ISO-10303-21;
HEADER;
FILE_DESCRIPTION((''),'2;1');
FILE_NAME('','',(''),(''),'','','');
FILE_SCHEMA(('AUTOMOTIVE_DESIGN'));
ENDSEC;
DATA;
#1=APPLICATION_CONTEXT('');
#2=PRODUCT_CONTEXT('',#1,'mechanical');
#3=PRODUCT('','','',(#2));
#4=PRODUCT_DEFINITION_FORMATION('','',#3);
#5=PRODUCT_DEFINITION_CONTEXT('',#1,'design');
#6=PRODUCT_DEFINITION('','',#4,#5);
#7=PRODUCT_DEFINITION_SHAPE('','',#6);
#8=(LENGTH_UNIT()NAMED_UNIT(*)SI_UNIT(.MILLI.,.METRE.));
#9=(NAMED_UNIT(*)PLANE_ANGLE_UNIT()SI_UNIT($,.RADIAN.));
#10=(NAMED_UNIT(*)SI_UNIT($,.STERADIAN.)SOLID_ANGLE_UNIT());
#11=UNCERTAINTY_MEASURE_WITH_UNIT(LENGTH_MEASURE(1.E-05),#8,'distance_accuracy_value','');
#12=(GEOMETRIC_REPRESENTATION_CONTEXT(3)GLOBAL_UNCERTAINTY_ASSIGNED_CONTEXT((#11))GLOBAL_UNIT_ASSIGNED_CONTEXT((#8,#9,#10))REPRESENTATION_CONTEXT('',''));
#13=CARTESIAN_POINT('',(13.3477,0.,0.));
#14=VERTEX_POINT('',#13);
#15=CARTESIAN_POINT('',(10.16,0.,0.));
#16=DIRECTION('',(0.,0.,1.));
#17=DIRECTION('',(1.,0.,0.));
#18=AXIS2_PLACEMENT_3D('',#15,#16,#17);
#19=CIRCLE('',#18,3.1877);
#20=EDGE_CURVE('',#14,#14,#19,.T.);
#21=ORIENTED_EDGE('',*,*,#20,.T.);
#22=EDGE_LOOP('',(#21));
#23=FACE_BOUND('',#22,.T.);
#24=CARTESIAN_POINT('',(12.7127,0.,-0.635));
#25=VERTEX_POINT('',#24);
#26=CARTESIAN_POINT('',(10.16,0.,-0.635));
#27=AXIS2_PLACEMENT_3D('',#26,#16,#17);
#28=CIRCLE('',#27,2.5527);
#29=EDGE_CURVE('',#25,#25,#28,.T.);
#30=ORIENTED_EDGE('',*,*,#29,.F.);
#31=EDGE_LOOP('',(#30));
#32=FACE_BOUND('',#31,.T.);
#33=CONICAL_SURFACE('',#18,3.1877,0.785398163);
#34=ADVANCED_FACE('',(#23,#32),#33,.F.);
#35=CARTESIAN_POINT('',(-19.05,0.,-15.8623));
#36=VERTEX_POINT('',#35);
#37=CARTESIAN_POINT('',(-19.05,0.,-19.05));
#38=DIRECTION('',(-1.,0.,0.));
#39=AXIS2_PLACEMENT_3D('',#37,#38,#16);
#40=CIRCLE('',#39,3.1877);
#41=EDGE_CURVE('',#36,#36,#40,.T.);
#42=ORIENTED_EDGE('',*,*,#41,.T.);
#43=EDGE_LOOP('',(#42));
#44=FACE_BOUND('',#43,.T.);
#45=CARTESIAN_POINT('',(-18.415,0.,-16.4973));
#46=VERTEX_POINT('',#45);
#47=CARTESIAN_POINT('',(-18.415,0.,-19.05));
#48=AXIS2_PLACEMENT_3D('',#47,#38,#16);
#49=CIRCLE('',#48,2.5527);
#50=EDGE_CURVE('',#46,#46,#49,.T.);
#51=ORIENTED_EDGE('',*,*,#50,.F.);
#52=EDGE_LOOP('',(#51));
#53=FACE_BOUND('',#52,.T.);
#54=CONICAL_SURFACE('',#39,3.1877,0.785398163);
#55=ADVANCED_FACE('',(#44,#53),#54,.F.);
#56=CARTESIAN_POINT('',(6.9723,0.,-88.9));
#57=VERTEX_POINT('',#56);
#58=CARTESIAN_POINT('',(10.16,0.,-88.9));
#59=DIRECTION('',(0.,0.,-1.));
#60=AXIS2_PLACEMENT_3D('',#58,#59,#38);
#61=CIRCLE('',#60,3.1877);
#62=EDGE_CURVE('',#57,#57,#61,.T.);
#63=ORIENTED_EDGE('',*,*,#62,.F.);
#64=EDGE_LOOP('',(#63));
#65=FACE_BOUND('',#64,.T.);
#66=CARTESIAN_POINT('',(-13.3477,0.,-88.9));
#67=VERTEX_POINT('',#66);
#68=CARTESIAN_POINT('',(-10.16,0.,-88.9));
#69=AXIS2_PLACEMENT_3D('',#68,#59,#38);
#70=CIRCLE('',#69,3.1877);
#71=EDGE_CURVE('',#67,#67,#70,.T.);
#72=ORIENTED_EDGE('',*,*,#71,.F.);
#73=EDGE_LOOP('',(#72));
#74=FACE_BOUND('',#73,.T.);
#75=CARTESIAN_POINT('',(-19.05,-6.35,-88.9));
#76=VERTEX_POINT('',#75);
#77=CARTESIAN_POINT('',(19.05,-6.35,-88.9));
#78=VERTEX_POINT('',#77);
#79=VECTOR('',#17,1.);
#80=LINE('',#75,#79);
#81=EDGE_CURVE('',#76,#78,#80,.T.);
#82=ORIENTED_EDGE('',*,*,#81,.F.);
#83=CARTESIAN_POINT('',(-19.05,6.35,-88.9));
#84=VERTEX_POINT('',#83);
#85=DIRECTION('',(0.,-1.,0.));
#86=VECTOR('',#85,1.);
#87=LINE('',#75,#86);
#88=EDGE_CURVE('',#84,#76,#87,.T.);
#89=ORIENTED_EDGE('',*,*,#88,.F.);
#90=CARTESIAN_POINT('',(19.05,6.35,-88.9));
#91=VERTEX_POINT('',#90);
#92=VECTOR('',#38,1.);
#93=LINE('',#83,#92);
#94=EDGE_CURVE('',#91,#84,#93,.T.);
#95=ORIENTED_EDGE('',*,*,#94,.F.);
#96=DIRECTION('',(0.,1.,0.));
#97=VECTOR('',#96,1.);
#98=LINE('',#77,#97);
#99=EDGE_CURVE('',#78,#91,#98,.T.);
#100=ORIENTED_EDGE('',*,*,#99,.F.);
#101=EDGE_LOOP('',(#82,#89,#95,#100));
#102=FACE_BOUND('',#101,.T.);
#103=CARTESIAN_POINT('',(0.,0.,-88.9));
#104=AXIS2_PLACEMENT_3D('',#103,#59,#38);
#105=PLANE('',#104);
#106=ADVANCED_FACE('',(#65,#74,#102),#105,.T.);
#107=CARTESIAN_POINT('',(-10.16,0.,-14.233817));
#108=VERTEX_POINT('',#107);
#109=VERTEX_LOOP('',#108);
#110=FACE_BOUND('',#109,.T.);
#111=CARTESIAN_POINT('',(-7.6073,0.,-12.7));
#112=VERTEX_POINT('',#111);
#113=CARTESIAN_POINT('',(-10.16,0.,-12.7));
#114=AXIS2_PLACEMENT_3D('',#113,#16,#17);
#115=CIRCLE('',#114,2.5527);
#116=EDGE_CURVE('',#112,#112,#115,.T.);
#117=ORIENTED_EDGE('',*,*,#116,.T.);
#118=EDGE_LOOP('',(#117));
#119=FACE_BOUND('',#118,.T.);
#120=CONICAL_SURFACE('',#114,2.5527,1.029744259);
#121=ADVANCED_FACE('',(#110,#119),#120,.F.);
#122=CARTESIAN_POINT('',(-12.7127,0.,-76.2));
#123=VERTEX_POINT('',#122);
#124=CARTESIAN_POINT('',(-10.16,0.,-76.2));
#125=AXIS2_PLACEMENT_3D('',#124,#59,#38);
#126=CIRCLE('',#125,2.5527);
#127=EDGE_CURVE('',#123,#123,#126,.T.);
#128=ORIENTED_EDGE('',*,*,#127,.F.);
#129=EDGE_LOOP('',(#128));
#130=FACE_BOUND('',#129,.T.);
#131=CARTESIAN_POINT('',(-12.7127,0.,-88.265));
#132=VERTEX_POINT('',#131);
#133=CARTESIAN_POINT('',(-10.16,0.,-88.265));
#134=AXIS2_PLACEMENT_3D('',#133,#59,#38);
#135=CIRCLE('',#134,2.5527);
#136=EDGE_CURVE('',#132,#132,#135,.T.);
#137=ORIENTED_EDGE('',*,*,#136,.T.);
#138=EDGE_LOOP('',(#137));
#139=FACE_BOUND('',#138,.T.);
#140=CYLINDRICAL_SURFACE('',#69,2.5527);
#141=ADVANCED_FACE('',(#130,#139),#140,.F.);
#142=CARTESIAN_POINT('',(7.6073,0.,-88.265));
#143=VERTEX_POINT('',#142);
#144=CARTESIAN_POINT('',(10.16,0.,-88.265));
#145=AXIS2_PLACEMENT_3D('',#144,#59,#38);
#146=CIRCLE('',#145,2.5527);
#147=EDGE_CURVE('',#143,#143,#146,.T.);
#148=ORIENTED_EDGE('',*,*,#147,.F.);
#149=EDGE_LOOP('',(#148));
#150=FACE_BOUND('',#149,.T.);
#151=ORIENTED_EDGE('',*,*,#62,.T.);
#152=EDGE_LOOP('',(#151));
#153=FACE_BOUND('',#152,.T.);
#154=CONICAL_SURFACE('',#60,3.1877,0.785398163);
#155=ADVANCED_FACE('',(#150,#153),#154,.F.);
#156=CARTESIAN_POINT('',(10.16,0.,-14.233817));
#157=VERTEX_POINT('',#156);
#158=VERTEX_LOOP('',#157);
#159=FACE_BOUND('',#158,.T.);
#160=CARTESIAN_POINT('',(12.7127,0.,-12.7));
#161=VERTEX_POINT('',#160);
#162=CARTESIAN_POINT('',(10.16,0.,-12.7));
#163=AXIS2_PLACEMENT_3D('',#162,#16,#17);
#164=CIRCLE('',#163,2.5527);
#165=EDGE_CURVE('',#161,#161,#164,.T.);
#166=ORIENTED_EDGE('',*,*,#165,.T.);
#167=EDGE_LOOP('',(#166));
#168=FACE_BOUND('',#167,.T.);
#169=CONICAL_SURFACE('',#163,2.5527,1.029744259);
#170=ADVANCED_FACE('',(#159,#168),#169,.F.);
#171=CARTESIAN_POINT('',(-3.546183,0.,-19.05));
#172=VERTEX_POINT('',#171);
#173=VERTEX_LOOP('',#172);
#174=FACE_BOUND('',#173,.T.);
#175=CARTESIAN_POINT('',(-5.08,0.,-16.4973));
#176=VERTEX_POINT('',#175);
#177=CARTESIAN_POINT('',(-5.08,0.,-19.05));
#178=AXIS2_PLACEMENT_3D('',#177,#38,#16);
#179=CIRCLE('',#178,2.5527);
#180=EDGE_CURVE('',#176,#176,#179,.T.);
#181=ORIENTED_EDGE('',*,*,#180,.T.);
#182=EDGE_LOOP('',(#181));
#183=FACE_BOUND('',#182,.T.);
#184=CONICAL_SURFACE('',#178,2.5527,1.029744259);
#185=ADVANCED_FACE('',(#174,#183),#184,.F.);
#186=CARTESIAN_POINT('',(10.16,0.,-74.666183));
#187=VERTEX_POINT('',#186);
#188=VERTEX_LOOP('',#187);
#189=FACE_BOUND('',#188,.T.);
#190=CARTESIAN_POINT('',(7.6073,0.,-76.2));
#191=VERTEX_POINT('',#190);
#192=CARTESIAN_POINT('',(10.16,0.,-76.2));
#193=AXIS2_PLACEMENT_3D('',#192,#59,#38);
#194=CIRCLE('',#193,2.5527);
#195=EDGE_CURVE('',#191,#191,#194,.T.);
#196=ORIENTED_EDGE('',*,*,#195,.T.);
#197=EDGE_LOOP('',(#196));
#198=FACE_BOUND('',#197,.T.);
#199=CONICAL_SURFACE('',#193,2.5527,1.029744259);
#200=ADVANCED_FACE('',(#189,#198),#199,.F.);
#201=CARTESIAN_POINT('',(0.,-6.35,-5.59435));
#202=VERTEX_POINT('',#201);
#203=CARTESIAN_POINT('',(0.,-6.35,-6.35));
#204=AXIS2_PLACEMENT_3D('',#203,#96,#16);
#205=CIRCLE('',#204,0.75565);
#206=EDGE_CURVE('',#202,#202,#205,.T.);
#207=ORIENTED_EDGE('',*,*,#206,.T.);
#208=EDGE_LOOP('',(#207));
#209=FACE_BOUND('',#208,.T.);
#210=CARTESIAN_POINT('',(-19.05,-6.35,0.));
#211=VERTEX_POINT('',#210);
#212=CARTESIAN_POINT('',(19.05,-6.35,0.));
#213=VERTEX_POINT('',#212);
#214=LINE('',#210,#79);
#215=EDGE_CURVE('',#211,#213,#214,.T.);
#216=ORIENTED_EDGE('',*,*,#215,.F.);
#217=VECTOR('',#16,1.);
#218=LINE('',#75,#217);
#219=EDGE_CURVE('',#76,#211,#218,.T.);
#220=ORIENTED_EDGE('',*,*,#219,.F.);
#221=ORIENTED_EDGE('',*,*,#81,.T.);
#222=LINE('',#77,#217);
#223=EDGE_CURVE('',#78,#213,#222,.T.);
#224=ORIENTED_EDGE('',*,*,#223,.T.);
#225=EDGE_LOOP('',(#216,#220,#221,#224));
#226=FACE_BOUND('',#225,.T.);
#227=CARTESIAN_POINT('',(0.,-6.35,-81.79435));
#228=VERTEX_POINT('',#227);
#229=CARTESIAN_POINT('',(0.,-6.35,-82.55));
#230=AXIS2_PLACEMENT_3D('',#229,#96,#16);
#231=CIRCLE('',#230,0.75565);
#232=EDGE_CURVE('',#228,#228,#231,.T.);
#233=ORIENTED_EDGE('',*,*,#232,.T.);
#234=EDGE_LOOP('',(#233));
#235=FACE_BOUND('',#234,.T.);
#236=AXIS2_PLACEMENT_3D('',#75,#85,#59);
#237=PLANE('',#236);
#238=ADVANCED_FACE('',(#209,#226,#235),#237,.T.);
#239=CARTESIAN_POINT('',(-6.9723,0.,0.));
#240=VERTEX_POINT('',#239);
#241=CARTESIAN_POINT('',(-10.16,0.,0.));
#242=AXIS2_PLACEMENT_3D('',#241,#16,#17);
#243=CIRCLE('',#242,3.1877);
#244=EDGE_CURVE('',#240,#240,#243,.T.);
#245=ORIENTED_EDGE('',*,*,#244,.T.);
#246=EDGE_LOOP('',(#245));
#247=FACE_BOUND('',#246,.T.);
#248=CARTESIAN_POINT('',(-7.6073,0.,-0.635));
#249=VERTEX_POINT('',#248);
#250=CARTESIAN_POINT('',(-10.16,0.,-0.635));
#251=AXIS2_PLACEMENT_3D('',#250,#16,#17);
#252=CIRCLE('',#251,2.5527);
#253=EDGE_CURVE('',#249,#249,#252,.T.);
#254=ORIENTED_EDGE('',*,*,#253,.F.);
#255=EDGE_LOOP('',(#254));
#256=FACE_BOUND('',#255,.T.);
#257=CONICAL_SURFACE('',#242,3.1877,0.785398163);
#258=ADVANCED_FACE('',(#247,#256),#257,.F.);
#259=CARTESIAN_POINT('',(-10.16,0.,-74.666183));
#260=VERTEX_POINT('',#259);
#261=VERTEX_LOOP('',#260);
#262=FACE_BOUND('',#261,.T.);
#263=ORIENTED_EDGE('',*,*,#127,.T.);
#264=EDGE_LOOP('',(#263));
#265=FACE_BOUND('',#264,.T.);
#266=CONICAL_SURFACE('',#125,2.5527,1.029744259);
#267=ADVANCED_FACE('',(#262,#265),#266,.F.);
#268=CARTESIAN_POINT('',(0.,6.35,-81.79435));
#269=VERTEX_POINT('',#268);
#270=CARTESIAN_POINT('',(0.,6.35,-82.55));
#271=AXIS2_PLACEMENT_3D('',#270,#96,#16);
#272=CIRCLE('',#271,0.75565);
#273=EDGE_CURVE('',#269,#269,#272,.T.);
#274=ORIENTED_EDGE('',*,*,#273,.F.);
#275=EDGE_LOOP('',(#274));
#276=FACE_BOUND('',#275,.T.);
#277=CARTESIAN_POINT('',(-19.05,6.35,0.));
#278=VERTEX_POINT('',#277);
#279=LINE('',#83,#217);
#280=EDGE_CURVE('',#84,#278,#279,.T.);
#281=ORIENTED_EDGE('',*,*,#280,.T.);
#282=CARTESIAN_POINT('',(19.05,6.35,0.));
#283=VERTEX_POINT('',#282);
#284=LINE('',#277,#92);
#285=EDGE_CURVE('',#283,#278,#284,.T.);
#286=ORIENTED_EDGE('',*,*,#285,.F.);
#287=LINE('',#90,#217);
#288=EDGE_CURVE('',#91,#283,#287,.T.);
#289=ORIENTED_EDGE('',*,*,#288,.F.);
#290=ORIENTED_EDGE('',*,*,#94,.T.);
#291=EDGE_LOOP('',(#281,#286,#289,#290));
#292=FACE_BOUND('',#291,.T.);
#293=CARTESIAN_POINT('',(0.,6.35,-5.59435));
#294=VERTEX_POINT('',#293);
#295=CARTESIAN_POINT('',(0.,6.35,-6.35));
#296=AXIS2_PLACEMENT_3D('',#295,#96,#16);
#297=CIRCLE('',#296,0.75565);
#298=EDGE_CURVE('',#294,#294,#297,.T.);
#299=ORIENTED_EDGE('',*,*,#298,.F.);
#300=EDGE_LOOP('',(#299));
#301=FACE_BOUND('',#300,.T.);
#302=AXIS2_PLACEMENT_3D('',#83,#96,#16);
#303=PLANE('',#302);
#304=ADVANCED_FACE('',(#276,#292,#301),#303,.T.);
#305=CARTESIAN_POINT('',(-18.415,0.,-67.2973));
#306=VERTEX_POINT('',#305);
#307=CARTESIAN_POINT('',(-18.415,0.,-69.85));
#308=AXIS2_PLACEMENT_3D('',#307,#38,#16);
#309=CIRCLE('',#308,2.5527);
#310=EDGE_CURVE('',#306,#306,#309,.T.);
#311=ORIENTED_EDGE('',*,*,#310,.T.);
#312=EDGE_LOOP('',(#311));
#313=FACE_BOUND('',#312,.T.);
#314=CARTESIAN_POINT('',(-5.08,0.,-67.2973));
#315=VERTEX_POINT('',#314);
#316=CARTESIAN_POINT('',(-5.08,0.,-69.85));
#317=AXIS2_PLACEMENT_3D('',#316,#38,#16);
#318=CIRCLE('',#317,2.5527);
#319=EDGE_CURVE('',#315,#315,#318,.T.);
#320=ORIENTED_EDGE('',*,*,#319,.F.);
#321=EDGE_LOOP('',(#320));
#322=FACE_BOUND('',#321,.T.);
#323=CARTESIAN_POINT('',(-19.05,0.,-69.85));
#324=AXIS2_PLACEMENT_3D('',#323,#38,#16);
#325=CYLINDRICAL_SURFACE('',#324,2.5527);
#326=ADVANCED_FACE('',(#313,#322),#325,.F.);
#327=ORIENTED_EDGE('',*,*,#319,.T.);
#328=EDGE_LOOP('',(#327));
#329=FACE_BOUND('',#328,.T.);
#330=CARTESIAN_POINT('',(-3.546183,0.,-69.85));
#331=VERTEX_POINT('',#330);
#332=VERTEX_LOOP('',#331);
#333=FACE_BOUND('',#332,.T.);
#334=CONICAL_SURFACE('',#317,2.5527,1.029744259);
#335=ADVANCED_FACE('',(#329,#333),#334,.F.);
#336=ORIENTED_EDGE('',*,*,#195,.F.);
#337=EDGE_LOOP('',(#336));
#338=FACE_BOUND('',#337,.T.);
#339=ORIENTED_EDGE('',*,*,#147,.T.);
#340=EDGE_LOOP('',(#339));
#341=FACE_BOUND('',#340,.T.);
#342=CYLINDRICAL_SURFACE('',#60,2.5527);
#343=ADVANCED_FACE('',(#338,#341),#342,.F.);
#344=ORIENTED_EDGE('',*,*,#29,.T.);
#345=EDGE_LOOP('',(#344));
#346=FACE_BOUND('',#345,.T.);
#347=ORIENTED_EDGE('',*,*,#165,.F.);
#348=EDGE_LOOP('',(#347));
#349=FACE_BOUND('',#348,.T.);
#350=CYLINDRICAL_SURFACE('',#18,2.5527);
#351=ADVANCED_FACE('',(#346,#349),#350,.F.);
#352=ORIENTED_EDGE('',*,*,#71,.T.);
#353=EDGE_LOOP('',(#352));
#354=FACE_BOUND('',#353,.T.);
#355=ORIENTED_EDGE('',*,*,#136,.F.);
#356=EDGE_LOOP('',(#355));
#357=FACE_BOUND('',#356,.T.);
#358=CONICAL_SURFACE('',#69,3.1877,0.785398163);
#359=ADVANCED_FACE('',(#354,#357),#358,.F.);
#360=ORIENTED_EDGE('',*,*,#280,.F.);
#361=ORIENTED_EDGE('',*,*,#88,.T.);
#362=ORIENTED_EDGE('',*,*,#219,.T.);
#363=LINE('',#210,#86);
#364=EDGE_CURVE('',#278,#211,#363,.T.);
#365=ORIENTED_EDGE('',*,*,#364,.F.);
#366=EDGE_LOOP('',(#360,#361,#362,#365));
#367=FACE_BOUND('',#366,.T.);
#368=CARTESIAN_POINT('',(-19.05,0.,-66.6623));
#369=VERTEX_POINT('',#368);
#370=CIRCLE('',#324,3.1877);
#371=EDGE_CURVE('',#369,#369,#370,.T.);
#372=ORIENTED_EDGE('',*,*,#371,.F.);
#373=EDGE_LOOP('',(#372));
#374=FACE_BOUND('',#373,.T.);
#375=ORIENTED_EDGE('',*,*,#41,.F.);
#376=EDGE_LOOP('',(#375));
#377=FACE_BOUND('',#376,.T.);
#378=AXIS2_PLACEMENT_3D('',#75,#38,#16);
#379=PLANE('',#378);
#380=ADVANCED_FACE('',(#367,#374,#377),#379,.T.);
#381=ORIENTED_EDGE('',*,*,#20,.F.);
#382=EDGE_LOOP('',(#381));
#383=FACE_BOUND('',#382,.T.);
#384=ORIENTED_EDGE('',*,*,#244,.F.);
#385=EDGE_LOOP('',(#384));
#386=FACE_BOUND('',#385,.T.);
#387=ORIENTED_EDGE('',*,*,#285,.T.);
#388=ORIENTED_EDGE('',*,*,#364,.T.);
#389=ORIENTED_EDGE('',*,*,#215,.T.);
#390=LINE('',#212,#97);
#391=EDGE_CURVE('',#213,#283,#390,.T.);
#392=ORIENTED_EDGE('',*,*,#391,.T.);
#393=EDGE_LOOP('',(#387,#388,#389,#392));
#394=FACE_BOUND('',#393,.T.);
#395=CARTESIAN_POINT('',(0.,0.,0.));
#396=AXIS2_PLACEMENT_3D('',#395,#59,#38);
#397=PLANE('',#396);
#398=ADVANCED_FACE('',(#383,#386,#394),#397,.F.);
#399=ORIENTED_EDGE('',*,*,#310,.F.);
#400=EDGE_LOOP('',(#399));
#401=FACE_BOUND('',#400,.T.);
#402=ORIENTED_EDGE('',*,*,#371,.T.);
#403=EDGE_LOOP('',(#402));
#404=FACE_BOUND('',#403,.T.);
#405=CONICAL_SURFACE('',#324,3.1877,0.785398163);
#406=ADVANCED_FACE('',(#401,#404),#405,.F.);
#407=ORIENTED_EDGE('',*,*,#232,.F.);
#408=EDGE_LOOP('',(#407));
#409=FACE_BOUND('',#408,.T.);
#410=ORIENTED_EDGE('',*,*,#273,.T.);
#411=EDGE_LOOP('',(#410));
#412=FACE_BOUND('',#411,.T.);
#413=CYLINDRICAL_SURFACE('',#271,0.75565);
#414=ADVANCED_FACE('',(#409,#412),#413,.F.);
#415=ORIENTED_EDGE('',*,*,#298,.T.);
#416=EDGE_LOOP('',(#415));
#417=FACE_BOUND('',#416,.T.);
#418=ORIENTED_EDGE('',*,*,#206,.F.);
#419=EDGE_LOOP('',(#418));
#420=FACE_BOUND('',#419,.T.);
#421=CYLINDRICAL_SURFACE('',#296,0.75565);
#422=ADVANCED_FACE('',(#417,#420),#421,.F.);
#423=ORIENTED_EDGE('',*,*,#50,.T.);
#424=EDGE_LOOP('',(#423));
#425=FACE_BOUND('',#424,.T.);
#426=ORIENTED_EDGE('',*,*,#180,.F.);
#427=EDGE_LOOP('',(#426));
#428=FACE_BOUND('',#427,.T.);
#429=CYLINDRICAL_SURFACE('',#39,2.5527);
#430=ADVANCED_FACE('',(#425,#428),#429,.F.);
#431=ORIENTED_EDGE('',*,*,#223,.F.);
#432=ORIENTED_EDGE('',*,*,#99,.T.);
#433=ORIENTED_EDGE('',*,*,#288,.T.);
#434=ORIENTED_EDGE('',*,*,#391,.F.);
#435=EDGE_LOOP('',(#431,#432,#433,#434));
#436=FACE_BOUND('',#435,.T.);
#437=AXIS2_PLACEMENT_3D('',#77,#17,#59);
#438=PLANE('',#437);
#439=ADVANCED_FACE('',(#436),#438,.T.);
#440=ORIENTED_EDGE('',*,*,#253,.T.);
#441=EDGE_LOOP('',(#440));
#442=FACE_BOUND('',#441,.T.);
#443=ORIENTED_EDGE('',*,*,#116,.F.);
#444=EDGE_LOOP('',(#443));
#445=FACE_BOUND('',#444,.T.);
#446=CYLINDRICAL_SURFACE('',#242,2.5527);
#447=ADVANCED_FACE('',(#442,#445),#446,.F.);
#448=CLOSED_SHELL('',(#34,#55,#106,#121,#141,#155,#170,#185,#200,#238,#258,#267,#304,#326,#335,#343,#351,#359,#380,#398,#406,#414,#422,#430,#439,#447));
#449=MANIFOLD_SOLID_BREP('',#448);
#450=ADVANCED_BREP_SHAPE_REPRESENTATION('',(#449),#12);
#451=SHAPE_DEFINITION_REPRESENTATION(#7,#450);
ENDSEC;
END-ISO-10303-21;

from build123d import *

# Parameters (mm, degrees)
SKETCH1_W                         = 38.1
SKETCH1_H                         = 12.7
BOSS_EXTRUDE1_DEPTH               = 88.9
F_1_4_20_TAPPED_HOLE1_AT_2_COUNT  = 2
F_1_4_20_TAPPED_HOLE1_AT_2_PITCH  = 20.32
F_1_64_TAPPED_HOLE1_D             = 1.5113
F_1_4_20_TAPPED_HOLE3_D           = 5.1054
F_1_4_20_TAPPED_HOLE3_DEPTH       = 13.97
F_1_4_20_TAPPED_HOLE3_CSINK_D     = 6.3754
F_1_4_20_TAPPED_HOLE3_CSINK_ANGLE = 90
F_1_4_20_TAPPED_HOLE3_TIP         = 1.533816902


with BuildPart() as part:
    # Sketch1 → Boss-Extrude1 (new body)
    with BuildSketch(Plane.XY):
        Rectangle(SKETCH1_W, SKETCH1_H)
    extrude(amount=-BOSS_EXTRUDE1_DEPTH)

    # Sketch4 → 1/4-20 Tapped Hole1 (revolve, cut)
    with BuildSketch(Plane(origin=(-10.16, 0, 0), x_dir=(0, -1, 0), z_dir=(1, 0, 0))):
        Polygon((0, 0), (0, 14.233816902), (2.5527, 12.7), (2.5527, 0.635), (3.1877, 0), align=None)
    f_1_4_20_tapped_hole1 = revolve(axis=Axis((-10.16, 0, 6.35), (0, 0, -1)), mode=Mode.SUBTRACT)

    # 1/4-20 Tapped Hole1 at 2: 1/4-20 Tapped Hole1 ×2
    with Locations(*[(i * F_1_4_20_TAPPED_HOLE1_AT_2_PITCH, 0, 0) for i in range(1, F_1_4_20_TAPPED_HOLE1_AT_2_COUNT)]):
        add(f_1_4_20_tapped_hole1, mode=Mode.SUBTRACT)

    # Mirror1: 1/4-20 Tapped Hole1 across plane
    add(f_1_4_20_tapped_hole1.mirror(Plane.XY.offset(-44.45)), mode=Mode.SUBTRACT)

    # Mirror1 copy 1 sketch → Mirror1 copy 1 (revolve, cut)
    with BuildSketch(Plane(origin=(10.16, 0, -88.9), x_dir=(0, -1, 0), z_dir=(1, 0, 0))):
        Polygon((0, 0), (0, -14.233816902), (2.5527, -12.7), (2.5527, -0.635), (3.1877, 0), align=None)
    revolve(axis=Axis((10.16, 0, -95.25), (0, 0, -1)), mode=Mode.SUBTRACT)

    # #1-64 Tapped Hole1 (through all)
    with Locations(Plane(origin=(0, 6.35, -82.55), x_dir=(0, 0, 1), z_dir=(0, 1, 0))):
        with Locations((0, 0), (76.2, 0)):
            Hole(F_1_64_TAPPED_HOLE1_D / 2)

    # 1/4-20 Tapped Hole3
    with Locations(Plane.ZY.offset(19.05)):
        with Locations((-69.85, 0), (-19.05, 0)):
            CounterSinkHole(F_1_4_20_TAPPED_HOLE3_D / 2, F_1_4_20_TAPPED_HOLE3_CSINK_D / 2, depth=F_1_4_20_TAPPED_HOLE3_DEPTH, counter_sink_angle=F_1_4_20_TAPPED_HOLE3_CSINK_ANGLE)
            with Locations((0, 0, -(F_1_4_20_TAPPED_HOLE3_DEPTH + F_1_4_20_TAPPED_HOLE3_TIP / 2))):  # 118° drill point
                Cone(0, F_1_4_20_TAPPED_HOLE3_D / 2, F_1_4_20_TAPPED_HOLE3_TIP, mode=Mode.SUBTRACT)


solid = part.part
